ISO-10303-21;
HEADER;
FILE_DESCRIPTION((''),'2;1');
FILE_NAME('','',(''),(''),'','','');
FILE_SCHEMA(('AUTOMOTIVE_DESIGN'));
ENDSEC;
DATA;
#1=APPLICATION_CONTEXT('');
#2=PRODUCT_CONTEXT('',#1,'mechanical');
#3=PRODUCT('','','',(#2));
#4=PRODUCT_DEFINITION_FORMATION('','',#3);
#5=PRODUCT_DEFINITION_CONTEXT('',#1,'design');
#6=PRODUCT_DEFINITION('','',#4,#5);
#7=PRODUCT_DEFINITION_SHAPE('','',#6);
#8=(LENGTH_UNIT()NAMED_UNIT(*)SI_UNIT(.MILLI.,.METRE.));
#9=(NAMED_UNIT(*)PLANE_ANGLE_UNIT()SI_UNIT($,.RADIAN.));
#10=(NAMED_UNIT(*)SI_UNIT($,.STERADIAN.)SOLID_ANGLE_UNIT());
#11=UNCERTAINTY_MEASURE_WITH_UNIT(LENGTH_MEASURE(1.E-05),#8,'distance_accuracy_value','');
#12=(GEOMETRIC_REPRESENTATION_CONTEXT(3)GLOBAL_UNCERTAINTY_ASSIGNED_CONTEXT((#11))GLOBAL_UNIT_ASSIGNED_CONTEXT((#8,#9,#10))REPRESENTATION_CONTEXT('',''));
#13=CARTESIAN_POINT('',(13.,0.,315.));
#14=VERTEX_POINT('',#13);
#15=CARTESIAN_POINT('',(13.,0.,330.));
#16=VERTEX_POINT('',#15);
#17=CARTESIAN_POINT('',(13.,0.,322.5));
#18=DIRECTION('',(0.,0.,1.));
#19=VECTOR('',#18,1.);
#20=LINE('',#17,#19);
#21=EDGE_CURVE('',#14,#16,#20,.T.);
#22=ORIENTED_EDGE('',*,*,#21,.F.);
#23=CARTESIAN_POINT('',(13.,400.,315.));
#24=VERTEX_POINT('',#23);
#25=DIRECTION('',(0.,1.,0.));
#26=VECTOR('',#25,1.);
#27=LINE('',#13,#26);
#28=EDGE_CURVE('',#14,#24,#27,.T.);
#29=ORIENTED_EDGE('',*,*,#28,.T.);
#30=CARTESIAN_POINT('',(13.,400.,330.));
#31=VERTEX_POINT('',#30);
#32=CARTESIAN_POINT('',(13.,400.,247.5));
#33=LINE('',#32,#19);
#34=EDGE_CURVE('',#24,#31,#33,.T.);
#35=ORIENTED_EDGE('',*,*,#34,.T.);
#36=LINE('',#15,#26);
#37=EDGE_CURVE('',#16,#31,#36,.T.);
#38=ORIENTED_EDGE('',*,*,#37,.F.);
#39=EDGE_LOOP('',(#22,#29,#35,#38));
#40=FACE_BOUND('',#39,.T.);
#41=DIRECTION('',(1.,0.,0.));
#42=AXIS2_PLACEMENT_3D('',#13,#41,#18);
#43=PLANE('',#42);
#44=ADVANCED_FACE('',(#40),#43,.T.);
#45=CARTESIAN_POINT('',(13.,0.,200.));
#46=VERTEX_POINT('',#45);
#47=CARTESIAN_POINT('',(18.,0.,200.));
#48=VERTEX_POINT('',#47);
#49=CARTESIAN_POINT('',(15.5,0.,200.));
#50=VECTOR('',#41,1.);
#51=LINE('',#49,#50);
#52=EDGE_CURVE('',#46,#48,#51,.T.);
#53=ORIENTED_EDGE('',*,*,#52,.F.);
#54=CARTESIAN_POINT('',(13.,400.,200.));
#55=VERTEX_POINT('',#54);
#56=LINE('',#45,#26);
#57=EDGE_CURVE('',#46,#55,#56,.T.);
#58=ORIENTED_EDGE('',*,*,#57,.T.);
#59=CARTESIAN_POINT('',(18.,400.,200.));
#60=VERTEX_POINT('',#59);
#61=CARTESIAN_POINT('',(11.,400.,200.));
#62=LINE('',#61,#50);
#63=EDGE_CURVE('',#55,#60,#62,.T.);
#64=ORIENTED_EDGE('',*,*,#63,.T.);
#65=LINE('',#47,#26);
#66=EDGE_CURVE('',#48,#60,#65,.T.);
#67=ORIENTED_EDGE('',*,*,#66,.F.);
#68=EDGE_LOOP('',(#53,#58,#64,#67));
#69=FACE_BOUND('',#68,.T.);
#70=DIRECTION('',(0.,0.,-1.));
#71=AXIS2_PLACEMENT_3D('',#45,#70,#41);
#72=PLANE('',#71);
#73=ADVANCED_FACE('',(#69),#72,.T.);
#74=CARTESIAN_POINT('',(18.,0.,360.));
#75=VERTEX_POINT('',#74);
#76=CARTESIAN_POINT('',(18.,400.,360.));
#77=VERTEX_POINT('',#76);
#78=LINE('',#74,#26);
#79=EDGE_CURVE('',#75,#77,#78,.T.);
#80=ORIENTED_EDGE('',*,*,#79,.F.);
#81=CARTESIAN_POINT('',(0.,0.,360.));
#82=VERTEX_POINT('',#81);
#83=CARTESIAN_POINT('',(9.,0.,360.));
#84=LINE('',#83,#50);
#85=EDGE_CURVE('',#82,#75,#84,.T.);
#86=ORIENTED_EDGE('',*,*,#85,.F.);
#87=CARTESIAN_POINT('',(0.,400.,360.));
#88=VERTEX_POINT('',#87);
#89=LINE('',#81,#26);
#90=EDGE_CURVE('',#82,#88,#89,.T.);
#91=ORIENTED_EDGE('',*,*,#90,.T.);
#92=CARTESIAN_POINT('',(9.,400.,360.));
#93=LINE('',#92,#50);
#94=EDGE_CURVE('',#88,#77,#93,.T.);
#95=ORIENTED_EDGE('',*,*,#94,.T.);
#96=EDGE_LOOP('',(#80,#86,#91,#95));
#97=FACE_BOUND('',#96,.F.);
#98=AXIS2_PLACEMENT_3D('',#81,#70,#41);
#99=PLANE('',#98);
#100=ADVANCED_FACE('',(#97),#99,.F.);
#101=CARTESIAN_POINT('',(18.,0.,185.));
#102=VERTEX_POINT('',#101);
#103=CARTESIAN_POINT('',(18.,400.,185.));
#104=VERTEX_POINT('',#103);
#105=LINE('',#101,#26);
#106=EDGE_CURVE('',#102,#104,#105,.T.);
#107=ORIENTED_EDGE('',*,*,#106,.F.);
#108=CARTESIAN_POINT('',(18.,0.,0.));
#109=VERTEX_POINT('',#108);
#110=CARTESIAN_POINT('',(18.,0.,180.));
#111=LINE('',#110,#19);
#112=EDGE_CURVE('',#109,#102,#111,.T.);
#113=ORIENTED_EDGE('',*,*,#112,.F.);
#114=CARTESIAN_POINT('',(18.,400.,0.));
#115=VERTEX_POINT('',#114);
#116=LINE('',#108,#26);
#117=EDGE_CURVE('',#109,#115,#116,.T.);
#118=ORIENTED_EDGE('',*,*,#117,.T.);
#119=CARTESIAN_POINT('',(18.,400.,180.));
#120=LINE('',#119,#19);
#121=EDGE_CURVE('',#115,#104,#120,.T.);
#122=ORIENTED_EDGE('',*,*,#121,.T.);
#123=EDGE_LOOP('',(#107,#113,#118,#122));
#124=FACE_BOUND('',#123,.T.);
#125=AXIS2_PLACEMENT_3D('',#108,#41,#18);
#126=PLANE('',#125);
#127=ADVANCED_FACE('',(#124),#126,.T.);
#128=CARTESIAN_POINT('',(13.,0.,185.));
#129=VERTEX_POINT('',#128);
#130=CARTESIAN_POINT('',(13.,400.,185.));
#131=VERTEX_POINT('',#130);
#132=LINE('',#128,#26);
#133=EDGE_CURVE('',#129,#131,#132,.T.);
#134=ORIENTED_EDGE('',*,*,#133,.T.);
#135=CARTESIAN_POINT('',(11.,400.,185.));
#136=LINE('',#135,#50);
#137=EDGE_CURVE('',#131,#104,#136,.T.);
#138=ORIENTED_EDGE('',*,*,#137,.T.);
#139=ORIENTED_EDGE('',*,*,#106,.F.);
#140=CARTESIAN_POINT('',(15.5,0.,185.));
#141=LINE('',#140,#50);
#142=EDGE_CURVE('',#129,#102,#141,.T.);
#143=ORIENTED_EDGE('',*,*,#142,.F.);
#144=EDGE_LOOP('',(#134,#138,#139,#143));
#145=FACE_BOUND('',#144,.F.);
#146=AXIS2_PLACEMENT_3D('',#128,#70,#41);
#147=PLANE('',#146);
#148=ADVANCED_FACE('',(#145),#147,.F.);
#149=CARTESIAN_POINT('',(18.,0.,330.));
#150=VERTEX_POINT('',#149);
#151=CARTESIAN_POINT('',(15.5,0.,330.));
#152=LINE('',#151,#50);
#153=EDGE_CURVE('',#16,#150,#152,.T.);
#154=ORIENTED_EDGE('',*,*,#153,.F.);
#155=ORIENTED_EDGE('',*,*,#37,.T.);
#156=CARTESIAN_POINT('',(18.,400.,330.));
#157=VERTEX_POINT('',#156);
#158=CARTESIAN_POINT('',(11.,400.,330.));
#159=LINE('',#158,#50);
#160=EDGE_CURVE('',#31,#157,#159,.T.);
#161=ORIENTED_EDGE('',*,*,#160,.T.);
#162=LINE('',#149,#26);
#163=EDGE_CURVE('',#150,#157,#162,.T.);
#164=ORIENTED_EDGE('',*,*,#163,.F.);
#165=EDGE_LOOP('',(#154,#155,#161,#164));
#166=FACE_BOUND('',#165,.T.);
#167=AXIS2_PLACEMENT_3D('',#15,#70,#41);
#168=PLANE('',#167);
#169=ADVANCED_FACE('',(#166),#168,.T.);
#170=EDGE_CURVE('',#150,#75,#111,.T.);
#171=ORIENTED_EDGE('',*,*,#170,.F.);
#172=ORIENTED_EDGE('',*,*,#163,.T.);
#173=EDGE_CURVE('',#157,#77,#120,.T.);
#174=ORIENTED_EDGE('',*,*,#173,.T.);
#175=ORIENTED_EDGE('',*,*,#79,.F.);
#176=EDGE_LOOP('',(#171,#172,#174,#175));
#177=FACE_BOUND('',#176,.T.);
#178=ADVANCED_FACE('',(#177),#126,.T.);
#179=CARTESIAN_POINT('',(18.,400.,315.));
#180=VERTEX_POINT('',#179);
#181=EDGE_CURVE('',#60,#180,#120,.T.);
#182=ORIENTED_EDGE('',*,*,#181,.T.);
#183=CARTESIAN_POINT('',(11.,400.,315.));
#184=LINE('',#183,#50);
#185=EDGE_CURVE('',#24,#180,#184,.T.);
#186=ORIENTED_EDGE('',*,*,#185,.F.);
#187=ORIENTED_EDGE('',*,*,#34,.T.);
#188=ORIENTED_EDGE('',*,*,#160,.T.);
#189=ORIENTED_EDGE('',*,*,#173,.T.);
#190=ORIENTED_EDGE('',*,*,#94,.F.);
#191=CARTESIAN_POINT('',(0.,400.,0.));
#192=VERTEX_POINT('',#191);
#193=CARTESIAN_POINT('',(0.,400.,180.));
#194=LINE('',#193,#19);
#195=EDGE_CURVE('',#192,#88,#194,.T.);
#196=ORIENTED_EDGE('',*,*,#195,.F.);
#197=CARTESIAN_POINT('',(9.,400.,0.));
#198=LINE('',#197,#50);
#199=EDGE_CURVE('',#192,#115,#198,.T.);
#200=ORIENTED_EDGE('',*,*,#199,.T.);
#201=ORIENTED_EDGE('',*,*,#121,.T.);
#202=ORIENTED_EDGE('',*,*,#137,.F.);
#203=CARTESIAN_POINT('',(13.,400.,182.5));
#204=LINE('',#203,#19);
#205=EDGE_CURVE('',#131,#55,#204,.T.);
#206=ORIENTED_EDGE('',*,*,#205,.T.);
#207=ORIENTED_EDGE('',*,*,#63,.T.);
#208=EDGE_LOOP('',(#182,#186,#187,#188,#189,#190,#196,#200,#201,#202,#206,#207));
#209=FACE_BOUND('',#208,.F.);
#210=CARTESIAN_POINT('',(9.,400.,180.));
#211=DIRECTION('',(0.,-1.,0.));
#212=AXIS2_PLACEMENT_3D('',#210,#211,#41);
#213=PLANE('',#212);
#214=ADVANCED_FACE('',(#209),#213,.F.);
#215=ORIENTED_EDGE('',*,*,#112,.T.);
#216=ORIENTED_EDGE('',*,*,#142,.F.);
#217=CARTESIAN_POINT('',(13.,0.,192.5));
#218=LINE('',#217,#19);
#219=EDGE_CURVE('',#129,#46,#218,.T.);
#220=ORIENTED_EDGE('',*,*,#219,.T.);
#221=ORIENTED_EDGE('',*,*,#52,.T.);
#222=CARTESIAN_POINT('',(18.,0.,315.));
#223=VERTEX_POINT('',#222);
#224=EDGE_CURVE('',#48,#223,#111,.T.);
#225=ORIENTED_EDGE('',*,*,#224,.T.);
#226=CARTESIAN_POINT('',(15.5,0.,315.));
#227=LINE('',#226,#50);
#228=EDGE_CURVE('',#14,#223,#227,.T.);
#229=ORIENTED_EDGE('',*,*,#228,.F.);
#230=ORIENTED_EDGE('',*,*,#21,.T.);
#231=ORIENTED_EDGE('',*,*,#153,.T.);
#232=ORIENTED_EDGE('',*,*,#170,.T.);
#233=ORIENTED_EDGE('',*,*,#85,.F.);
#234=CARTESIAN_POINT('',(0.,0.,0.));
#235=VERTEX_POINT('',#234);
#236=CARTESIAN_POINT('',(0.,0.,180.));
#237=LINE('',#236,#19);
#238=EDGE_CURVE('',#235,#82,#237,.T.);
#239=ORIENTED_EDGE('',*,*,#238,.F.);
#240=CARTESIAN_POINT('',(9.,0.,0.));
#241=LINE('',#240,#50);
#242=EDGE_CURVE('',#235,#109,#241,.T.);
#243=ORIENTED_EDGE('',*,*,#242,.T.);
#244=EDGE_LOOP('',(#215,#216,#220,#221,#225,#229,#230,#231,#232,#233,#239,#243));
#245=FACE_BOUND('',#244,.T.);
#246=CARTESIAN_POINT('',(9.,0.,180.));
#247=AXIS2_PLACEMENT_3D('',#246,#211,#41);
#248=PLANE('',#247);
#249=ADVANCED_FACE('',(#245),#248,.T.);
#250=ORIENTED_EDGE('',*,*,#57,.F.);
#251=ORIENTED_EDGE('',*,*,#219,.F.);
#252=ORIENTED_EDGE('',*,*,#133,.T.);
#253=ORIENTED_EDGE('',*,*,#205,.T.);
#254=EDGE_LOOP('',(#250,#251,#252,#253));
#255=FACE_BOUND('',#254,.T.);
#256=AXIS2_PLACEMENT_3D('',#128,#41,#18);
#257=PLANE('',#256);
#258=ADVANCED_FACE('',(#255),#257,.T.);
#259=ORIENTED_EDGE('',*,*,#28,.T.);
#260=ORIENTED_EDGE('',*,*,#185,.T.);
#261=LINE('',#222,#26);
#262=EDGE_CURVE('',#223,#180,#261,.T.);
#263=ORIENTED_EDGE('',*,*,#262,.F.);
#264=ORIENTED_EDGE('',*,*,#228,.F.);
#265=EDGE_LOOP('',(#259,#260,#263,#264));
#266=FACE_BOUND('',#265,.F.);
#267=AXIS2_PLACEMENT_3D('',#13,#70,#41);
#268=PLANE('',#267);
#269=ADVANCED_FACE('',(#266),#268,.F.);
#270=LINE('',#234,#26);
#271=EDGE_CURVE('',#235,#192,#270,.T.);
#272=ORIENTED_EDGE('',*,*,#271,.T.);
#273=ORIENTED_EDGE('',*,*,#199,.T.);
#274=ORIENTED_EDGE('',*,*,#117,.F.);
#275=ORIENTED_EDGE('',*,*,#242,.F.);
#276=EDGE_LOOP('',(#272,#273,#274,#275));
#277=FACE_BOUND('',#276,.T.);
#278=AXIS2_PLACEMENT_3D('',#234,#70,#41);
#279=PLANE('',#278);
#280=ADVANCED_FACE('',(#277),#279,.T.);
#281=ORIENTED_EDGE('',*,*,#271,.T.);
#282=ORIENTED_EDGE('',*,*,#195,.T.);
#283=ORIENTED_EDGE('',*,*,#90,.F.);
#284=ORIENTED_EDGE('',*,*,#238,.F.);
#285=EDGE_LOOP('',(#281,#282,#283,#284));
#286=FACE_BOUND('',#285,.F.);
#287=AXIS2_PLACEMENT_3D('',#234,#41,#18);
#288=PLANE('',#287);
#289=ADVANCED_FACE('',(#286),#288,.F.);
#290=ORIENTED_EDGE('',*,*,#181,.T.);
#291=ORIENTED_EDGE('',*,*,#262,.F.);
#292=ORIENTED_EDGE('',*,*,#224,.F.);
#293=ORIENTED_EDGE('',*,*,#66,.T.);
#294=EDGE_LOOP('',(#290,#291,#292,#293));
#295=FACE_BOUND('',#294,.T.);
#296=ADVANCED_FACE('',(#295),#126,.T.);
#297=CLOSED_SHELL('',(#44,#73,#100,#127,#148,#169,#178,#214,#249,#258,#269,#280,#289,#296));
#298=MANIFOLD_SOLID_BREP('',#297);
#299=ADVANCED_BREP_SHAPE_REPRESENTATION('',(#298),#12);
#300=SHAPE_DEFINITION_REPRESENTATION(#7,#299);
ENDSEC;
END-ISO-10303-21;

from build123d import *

# Parameters (mm, degrees)
F0_W     = 18
F0_H     = 360
F1_DEPTH = 400
F2_W     = 5
F2_H     = 15
F3_DEPTH = 400.001


with BuildPart() as f1:
    # F0 (on Front) → F1 (new body)
    with BuildSketch(Plane.XZ):
        with Locations((9, 180)):
            Rectangle(F0_W, F0_H)
    extrude(amount=-F1_DEPTH)

    # F2 (on face) → F3 (cut, through all)
    with BuildSketch(Plane.XZ):
        with Locations((15.5, 192.5)):
            Rectangle(F2_W, F2_H)
        with Locations((15.5, 322.5)):
            Rectangle(F2_W, F2_H)
    extrude(amount=-F3_DEPTH, mode=Mode.SUBTRACT)


solid = f1.part
